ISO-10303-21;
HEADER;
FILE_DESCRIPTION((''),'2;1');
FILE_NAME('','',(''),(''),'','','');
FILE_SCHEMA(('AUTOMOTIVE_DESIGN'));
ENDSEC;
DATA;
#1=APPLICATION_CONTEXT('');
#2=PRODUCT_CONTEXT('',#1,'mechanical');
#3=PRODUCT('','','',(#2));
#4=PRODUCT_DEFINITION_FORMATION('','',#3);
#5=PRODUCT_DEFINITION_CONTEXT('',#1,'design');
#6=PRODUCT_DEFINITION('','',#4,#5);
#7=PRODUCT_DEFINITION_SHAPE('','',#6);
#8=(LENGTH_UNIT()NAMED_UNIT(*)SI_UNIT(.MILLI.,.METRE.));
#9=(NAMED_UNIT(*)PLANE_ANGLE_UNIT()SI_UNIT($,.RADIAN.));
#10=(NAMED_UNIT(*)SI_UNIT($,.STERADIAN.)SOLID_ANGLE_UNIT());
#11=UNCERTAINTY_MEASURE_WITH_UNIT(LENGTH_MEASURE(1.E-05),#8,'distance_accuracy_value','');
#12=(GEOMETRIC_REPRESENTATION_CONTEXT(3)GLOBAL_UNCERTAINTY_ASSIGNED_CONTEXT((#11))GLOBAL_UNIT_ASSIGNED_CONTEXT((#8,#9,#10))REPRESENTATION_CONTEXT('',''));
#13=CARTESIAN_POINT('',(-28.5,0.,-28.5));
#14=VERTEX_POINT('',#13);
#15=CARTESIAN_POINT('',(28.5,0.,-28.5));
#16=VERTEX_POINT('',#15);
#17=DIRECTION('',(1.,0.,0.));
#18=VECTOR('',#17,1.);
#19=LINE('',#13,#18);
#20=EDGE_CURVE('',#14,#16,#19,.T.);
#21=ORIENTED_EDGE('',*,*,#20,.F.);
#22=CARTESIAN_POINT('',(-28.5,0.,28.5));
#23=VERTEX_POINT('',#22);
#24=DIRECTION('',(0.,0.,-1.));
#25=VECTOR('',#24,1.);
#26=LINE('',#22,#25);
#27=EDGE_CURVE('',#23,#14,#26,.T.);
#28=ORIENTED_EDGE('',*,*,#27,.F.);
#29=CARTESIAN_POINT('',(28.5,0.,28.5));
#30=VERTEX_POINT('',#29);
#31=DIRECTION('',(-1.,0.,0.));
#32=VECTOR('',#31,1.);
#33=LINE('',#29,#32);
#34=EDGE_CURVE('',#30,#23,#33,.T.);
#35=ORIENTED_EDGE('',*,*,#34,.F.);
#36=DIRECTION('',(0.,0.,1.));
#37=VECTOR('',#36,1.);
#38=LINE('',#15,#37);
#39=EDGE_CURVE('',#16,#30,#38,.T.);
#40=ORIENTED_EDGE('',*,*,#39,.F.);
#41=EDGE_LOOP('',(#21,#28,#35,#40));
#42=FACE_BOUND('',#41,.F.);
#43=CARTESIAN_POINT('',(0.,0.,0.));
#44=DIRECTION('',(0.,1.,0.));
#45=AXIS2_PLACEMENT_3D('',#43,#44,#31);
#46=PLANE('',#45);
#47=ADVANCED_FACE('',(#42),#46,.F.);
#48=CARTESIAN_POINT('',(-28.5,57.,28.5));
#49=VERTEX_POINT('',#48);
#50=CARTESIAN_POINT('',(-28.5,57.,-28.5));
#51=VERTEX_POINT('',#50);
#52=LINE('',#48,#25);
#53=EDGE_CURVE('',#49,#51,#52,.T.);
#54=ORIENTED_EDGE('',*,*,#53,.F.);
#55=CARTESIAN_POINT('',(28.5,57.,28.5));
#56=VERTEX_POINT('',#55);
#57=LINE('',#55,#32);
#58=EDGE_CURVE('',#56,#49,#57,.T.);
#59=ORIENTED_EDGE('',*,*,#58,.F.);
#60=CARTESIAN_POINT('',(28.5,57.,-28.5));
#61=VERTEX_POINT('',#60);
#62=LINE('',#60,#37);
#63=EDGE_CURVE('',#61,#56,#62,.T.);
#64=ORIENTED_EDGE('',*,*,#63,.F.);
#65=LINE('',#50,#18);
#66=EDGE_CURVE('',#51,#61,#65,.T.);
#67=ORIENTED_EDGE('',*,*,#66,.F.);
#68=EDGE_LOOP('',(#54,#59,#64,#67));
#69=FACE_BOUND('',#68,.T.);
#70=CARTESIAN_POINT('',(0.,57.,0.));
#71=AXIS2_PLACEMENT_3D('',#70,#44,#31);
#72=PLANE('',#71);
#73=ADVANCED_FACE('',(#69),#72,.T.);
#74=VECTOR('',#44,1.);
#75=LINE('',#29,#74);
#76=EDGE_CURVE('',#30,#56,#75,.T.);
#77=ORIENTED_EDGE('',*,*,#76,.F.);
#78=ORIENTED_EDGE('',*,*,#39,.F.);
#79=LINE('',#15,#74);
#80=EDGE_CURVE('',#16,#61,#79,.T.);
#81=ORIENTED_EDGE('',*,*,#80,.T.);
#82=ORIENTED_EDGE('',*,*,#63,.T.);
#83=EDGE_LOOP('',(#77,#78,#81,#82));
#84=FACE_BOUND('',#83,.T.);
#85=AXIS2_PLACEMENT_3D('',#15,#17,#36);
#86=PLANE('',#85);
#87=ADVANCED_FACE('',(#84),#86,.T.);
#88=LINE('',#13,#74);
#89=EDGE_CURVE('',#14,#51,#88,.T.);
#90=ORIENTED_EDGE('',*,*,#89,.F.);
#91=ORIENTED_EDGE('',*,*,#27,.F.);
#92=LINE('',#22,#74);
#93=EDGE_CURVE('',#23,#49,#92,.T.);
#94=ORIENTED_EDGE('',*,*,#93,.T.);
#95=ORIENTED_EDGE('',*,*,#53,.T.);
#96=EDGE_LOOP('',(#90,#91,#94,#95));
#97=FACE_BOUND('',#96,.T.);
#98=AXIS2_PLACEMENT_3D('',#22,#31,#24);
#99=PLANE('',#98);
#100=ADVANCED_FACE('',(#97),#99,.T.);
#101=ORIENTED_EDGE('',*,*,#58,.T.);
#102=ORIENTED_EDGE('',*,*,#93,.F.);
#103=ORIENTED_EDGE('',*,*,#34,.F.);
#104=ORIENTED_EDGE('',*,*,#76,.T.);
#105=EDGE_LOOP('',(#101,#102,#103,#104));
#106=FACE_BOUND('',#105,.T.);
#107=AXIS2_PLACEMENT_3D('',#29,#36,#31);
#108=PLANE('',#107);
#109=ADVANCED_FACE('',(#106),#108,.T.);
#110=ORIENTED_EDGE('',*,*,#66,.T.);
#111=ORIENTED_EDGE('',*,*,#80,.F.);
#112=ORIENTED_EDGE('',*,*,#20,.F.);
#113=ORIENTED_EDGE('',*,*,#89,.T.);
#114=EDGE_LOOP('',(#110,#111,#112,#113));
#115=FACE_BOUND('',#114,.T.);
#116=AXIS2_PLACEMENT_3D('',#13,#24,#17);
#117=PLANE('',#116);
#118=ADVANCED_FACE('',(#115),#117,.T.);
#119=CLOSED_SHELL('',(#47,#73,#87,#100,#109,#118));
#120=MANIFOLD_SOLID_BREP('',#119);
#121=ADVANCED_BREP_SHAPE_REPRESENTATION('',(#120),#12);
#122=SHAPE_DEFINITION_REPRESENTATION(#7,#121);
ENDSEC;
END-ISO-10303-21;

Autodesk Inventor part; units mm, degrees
ref_plane "YZ Plane" through (0, 0, 0) normal (1, 0, 0) x (0, 1, 0)
ref_plane "XZ Plane" through (0, 0, 0) normal (0, 1, 0) x (-1, 0, 0)
ref_plane "XY Plane" through (0, 0, 0) normal (0, 0, 1) x (1, 0, 0)
sketch "Sketch1" plane through (0, 0, 0) normal (0, 1, 0) x (-1, 0, 0)
  line L0 (-28.5, 28.5) -> (28.5, 28.5)
  line L1 (28.5, 28.5) -> (28.5, -28.5)
  line L2 (28.5, -28.5) -> (-28.5, -28.5)
  line L3 (-28.5, -28.5) -> (-28.5, 28.5)
  line L4 (-28.5, 28.5) -> (28.5, -28.5) construction
  line L5 (28.5, 28.5) -> (-28.5, -28.5) construction
  point P0 (0, 0)
  dimension "d0" = 57
  dimension "d1" = 57
extrude "Extrusion1" add sketch "Sketch1" along normal blind 57
sketch "Sketch2" plane through (0, 0, 0) normal (0, -1, 0) x (1, 0, 0)
  point P0 (0, 0)
sketch "Sketch3" plane through (-28.5, 0, -28.5) normal (-1, 0, 0) x (0, 0, 1)
  line L0 (0, 0) -> (0, 57) projected
  line L1 (0, 0) -> (57, 0) projected
  circle A0 centre (28.5, 28.5) radius 4
  point P0 (28.5, 0)
  dimension "d6" = 8
  dimension "d7" = 28.5
  dimension "d8" = 28.5
sketch "Sketch4" plane through (-28.5, 0, -28.5) normal (-1, 0, 0) x (0, 0, 1)
  line L0 (57, 19) -> (0, 19)
  line L1 (57, 0) -> (57, 57) projected
  line L2 (0, 0) -> (0, 57) projected
  line L3 (57, 38) -> (0, 38)
  line L4 (0, 0) -> (57, 0) projected
  point P0 (28.5, 0)
  dimension "d9" = 19
  dimension "d10" = 19
equation "\"d10\" = d9"
properties part number "Cube"
